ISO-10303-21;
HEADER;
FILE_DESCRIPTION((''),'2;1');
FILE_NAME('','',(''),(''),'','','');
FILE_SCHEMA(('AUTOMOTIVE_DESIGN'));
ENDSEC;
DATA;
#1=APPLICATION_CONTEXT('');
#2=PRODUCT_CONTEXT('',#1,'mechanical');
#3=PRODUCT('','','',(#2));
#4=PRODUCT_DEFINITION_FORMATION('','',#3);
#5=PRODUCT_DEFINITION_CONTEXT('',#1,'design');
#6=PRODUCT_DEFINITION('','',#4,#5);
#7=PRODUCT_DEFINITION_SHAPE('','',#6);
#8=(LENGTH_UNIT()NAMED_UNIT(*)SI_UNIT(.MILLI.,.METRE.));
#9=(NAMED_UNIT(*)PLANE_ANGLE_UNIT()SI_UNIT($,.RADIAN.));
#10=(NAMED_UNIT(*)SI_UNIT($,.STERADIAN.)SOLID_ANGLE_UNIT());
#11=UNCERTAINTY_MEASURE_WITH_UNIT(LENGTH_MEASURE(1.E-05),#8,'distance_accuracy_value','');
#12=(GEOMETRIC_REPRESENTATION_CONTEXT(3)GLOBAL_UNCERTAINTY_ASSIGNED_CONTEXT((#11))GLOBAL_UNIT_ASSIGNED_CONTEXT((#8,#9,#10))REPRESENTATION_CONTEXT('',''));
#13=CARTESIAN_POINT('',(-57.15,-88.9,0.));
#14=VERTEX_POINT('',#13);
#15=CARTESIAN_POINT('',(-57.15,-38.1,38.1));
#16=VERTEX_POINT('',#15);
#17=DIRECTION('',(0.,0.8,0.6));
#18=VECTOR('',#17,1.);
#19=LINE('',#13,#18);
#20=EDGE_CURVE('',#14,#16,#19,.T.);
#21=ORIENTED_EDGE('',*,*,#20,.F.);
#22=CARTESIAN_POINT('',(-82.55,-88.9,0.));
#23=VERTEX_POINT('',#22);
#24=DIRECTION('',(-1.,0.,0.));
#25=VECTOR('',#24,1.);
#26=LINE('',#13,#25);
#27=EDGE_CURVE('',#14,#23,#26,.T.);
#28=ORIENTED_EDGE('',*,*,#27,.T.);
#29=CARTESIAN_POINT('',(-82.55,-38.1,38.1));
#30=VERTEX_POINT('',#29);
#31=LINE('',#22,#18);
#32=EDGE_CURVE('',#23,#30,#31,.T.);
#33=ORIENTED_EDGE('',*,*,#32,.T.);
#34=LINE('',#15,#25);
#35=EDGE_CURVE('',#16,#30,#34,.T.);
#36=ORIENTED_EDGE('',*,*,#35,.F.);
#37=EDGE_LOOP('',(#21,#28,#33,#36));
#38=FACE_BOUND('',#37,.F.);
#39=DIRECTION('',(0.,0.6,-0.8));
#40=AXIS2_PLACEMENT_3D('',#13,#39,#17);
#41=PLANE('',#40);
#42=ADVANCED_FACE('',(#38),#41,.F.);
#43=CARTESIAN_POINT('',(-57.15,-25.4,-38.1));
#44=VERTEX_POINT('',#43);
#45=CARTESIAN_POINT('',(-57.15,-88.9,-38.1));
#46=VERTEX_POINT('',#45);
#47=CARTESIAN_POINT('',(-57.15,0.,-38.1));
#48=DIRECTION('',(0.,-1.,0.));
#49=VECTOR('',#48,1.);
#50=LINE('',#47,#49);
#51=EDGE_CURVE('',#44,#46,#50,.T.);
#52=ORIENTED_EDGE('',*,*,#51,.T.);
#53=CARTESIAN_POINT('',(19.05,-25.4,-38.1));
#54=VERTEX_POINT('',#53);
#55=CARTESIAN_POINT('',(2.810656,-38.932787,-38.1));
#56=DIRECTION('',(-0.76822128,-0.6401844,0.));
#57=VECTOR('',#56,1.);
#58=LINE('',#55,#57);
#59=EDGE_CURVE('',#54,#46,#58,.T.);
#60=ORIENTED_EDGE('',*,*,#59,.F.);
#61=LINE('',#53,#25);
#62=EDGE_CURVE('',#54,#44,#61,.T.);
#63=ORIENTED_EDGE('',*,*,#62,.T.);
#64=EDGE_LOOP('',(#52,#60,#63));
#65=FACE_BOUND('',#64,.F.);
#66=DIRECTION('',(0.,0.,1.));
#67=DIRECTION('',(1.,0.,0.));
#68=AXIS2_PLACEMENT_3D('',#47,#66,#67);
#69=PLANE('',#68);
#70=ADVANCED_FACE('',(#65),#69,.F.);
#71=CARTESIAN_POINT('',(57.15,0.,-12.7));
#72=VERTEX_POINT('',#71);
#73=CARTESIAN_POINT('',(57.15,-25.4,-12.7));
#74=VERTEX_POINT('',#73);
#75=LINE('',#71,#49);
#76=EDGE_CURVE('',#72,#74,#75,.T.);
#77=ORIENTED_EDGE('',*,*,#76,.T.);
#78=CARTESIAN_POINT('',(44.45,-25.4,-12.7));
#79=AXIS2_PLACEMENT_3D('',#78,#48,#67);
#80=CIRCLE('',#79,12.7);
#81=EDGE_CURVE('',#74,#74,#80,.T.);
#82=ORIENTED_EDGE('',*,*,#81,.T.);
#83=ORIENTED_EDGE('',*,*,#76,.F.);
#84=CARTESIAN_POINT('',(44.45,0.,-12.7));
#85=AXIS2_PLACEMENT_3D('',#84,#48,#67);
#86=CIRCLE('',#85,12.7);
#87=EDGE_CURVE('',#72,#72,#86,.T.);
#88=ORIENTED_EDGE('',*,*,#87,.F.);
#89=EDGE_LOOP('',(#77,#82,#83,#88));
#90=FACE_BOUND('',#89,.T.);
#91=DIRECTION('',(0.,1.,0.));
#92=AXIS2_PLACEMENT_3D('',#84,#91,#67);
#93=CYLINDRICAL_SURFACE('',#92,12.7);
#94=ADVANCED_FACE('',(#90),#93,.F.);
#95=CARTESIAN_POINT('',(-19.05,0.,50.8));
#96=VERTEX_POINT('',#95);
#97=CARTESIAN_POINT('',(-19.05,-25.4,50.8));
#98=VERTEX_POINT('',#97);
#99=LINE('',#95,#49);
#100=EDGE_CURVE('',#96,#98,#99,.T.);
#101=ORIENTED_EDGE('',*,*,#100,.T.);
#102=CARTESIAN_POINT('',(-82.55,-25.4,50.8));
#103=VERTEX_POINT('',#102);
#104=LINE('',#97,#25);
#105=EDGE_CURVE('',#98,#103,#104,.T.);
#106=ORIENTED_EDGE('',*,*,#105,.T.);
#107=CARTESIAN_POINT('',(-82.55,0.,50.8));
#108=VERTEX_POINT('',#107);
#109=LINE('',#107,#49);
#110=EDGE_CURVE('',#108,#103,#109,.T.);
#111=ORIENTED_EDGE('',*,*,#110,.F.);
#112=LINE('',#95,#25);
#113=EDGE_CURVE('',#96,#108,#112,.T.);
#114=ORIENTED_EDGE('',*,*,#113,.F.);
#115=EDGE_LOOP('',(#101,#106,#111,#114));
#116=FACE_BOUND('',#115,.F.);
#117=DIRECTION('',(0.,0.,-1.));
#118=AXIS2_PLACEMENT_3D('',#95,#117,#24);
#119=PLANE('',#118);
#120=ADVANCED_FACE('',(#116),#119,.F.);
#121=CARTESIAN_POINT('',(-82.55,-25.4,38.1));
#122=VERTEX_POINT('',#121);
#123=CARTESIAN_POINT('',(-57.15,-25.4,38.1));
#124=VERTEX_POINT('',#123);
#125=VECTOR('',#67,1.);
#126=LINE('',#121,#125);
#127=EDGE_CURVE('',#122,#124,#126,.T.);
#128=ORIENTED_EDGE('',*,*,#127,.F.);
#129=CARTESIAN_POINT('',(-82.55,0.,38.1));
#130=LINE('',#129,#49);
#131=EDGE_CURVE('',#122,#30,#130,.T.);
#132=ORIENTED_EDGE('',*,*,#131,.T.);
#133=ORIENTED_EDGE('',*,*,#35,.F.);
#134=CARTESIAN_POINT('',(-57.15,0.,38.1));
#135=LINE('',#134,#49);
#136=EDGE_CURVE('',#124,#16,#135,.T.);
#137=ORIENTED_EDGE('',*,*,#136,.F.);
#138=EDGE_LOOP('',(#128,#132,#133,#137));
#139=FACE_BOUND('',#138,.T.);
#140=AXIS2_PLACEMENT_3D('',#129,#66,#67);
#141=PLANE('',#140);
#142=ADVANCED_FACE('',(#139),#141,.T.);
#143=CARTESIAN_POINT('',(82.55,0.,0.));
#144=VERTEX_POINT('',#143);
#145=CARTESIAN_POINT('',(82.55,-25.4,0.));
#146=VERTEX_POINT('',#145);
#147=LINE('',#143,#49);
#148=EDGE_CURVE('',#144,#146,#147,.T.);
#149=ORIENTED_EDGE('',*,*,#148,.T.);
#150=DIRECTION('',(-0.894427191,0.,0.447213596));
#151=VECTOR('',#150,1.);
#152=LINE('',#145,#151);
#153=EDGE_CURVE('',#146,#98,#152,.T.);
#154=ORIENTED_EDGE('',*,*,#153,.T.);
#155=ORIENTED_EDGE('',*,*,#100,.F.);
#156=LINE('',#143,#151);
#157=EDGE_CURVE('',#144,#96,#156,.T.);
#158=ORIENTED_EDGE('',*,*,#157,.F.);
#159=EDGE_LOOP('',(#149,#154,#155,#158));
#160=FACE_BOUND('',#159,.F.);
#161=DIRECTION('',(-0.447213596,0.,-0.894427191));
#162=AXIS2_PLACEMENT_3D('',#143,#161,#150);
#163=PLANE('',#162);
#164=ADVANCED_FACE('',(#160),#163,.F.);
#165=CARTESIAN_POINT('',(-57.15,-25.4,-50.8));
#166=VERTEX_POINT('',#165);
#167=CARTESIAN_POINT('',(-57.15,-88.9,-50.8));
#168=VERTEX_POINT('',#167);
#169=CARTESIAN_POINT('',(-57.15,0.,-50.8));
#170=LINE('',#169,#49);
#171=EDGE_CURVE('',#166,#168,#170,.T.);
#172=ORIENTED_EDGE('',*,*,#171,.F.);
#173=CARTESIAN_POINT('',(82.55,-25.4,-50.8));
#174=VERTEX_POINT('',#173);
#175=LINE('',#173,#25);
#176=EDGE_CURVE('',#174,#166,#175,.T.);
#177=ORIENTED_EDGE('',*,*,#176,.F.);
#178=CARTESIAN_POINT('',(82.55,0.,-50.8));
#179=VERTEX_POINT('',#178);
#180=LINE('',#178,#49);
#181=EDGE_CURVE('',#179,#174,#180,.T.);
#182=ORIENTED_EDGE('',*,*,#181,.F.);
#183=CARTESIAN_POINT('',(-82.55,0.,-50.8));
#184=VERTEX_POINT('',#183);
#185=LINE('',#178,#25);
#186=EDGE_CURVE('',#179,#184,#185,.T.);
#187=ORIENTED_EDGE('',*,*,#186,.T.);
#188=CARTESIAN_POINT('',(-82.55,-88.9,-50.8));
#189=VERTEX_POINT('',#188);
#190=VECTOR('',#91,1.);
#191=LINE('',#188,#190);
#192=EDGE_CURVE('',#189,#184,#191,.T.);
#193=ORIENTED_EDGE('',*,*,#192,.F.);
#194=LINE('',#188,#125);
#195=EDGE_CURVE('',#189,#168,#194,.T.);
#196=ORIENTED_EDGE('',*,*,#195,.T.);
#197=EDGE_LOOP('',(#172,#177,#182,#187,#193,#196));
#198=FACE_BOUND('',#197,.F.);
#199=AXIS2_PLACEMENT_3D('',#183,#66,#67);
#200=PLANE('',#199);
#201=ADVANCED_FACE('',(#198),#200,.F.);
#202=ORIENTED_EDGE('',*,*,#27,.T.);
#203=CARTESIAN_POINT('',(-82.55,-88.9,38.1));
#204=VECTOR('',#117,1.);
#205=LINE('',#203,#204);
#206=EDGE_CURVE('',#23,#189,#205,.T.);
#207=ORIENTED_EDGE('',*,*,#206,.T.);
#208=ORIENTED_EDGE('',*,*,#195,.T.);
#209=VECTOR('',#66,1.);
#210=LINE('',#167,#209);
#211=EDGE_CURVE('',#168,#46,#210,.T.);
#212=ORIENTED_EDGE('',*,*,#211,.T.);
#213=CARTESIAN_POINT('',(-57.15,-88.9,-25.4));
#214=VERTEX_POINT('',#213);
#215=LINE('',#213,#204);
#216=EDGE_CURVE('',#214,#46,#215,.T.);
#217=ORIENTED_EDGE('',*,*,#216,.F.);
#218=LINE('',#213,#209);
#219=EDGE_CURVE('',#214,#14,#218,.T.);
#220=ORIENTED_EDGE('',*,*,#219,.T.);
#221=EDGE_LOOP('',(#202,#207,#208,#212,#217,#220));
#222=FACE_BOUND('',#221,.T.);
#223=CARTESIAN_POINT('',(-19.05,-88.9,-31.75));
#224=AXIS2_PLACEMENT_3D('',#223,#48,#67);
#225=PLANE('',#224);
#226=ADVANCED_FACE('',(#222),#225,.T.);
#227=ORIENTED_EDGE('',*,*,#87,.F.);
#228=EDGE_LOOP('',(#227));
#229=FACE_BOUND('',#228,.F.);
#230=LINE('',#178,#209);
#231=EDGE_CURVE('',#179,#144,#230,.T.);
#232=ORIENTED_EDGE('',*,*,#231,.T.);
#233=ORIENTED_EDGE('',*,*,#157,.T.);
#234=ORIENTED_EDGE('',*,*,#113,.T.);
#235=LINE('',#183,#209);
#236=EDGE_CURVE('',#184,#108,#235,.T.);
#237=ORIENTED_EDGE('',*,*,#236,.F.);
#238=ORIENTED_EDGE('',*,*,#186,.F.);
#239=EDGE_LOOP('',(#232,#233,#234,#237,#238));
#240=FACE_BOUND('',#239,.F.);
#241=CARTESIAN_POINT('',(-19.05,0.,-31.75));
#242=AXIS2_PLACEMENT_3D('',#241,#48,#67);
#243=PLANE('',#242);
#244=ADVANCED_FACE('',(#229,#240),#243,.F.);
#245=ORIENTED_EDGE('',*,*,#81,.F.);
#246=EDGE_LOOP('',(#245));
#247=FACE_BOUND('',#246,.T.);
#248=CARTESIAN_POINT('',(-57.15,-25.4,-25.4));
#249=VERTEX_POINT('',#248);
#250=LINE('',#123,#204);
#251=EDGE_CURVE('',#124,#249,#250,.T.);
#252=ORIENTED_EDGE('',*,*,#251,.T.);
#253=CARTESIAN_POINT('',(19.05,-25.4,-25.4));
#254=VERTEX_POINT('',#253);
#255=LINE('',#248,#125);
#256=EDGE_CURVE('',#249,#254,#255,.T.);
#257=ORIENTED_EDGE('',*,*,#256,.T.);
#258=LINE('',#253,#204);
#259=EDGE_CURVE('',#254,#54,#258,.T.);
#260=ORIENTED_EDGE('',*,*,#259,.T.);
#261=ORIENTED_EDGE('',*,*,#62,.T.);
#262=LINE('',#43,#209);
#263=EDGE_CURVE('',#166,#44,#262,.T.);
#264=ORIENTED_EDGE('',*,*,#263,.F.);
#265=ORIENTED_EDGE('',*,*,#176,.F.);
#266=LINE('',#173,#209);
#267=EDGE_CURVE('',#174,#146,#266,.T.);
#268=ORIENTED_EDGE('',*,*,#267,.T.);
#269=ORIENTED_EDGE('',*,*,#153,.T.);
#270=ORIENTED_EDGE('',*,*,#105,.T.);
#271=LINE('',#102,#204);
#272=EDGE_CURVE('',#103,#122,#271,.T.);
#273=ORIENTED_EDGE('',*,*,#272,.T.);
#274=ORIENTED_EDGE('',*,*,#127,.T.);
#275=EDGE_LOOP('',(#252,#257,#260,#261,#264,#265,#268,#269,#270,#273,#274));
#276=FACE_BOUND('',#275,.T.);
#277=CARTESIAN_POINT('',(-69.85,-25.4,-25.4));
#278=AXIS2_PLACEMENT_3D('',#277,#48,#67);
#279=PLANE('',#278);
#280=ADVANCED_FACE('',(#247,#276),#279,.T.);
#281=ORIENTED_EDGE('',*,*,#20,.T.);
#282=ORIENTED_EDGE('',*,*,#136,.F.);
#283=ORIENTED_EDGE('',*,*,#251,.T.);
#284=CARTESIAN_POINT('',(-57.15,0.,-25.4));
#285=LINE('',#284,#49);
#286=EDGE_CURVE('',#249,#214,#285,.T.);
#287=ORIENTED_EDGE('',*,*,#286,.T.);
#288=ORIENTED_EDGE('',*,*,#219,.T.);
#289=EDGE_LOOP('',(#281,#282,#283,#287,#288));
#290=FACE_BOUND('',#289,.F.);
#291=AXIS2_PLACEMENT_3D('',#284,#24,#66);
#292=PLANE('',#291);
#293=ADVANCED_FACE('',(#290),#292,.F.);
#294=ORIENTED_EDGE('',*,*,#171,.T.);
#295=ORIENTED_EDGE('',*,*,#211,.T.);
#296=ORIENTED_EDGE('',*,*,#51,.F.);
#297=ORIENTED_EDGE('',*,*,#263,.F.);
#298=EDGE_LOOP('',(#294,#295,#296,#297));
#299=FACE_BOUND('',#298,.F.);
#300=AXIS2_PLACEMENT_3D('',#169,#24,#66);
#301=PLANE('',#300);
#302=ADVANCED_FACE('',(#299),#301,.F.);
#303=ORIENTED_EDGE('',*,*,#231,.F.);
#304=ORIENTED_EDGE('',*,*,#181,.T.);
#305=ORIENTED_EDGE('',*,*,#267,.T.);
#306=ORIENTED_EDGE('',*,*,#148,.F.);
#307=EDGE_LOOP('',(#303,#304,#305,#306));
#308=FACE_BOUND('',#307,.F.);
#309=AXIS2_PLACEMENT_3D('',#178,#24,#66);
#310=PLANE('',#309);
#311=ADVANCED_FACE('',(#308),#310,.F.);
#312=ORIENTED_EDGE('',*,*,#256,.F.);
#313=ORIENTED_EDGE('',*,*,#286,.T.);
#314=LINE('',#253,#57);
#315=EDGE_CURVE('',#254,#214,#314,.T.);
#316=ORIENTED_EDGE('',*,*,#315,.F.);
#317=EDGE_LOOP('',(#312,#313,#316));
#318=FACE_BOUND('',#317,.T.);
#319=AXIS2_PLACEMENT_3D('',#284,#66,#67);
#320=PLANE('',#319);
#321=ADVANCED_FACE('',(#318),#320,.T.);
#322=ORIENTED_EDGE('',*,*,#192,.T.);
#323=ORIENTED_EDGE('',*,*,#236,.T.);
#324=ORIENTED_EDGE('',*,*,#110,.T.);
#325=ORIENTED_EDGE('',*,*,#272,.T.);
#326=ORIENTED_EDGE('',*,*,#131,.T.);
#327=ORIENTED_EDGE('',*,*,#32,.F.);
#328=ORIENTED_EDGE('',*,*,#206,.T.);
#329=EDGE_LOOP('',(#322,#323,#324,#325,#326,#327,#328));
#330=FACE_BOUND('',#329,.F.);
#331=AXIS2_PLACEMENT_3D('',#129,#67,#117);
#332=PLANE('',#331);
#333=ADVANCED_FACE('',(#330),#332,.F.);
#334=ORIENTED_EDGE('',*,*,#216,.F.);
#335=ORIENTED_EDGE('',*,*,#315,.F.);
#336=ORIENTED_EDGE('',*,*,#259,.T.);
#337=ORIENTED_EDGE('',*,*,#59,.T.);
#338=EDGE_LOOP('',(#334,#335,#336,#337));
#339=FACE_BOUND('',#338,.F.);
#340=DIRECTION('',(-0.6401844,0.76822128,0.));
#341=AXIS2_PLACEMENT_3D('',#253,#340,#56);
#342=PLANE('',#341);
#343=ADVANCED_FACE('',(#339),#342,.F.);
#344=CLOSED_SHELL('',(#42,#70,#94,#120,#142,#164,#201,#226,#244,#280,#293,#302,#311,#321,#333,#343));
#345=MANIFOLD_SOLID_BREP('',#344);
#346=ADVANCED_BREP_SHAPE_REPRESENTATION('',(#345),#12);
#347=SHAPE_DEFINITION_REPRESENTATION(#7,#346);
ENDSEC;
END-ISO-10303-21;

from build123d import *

# Parameters (mm, degrees)
F0_W     = 76.2
F0_H     = 12.7
F0_W_2   = 25.4
F0_H_2   = 38.1
F1_DEPTH = 88.9
F0_R     = 12.7
F2_DEPTH = 25.4
F4_DEPTH = 25.4
F6_DEPTH = 25.4


with BuildPart() as f1:
    # F0 (on Front) → F1 (new body)
    with BuildSketch(Plane.XZ):
        with Locations((-19.05, -31.75)):
            Rectangle(F0_W, F0_H)
        Polygon((-82.55, -50.8), (-57.15, -50.8), (-57.15, -38.1), (-57.15, -25.4), (-57.15, 0), (-82.55, 0), align=None)
        with Locations((-69.85, 19.05)):
            Rectangle(F0_W_2, F0_H_2)
    extrude(amount=F1_DEPTH)

    # F0 (on Front) → F2 (join)
    with BuildSketch(Plane.XZ):
        Polygon((-82.55, -50.8), (-57.15, -50.8), (-57.15, -38.1), (-57.15, -25.4), (-57.15, 0), (-82.55, 0), align=None)
        Polygon((82.55, 0), (-19.05, 50.8), (-82.55, 50.8), (-82.55, 38.1), (-57.15, 38.1), (-57.15, 0), (-57.15, -25.4), (19.05, -25.4), (19.05, -38.1), (-57.15, -38.1), (-57.15, -50.8), (82.55, -50.8), align=None)
        with Locations((44.45, -12.7)):
            Circle(F0_R, mode=Mode.SUBTRACT)
    extrude(amount=F2_DEPTH)

    # F3 (on face) → F4 (cut)
    with BuildSketch(Plane.YZ.offset(-57.15)):
        Polygon((-88.9, 0), (-38.1, 38.1), (-88.9, 38.1), align=None)
    extrude(amount=-F4_DEPTH, mode=Mode.SUBTRACT)

    # F5 (on face) → F6 (cut)
    with BuildSketch(Plane.XY.offset(-25.4)):
        Polygon((19.05, -88.9), (19.05, -25.4), (-57.15, -88.9), align=None)
    extrude(amount=-F6_DEPTH, mode=Mode.SUBTRACT)


solid = f1.part
